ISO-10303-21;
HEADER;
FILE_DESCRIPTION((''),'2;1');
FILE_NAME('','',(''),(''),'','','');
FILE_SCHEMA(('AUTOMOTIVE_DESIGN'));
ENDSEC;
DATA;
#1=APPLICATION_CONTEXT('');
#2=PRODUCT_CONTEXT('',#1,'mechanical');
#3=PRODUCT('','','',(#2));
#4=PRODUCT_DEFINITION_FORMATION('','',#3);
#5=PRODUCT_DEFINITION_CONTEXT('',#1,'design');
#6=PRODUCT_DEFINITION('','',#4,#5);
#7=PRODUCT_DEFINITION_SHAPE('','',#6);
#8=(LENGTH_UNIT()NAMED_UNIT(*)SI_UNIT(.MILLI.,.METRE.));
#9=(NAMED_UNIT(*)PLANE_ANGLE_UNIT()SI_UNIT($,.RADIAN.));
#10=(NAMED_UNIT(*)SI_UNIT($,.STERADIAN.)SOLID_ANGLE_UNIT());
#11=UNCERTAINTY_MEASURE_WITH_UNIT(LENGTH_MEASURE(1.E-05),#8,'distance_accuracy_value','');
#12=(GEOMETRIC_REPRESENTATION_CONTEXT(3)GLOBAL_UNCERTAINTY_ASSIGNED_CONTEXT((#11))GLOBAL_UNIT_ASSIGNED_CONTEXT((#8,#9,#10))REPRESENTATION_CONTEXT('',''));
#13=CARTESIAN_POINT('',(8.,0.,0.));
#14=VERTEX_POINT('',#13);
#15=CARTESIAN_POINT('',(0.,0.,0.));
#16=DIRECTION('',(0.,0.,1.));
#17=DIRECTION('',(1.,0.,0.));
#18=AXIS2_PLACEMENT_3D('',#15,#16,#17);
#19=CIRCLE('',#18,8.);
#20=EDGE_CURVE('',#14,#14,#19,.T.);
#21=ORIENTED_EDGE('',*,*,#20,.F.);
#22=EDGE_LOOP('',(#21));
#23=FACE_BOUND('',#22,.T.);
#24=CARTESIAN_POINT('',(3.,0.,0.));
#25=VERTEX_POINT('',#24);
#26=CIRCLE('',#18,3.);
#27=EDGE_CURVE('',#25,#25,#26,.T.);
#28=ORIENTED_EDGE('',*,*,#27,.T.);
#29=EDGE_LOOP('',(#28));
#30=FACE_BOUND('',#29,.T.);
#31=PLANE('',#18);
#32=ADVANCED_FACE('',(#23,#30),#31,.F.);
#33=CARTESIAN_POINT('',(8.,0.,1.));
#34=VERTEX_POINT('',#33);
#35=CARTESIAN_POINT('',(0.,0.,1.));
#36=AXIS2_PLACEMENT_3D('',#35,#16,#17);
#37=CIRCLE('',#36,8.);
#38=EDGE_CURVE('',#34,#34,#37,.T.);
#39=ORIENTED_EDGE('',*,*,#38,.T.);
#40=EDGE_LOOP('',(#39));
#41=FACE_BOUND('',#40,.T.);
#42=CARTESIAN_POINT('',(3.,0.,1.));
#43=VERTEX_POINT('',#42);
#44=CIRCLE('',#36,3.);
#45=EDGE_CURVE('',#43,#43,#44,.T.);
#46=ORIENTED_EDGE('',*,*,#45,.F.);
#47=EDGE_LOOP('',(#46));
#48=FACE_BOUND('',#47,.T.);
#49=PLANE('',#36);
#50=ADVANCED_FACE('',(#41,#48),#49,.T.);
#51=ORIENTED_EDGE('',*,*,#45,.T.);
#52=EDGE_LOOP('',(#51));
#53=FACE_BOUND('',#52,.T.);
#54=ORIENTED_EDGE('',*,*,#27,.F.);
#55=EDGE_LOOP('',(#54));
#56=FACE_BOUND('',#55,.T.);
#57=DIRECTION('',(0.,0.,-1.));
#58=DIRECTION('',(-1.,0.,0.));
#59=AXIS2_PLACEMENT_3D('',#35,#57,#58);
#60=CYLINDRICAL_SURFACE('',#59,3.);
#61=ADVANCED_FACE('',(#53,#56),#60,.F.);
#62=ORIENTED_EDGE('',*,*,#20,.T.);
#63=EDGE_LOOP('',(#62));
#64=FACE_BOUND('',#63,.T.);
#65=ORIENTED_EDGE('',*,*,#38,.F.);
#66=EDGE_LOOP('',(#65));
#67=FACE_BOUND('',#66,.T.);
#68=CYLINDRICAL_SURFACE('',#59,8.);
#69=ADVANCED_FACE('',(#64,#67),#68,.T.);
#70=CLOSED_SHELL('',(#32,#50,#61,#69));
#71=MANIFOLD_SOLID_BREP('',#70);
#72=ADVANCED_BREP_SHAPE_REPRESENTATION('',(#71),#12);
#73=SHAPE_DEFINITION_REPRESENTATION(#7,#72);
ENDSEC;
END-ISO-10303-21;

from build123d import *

# Parameters (mm, degrees)
SKETCH1_R           = 8
SKETCH1_R_2         = 3
BOSS_EXTRUDE1_DEPTH = 1


with BuildPart() as part:
    # Sketch1 → Boss-Extrude1 (new body)
    with BuildSketch(Plane.XY):
        Circle(SKETCH1_R)
        Circle(SKETCH1_R_2, mode=Mode.SUBTRACT)
    extrude(amount=BOSS_EXTRUDE1_DEPTH)


solid = part.part
